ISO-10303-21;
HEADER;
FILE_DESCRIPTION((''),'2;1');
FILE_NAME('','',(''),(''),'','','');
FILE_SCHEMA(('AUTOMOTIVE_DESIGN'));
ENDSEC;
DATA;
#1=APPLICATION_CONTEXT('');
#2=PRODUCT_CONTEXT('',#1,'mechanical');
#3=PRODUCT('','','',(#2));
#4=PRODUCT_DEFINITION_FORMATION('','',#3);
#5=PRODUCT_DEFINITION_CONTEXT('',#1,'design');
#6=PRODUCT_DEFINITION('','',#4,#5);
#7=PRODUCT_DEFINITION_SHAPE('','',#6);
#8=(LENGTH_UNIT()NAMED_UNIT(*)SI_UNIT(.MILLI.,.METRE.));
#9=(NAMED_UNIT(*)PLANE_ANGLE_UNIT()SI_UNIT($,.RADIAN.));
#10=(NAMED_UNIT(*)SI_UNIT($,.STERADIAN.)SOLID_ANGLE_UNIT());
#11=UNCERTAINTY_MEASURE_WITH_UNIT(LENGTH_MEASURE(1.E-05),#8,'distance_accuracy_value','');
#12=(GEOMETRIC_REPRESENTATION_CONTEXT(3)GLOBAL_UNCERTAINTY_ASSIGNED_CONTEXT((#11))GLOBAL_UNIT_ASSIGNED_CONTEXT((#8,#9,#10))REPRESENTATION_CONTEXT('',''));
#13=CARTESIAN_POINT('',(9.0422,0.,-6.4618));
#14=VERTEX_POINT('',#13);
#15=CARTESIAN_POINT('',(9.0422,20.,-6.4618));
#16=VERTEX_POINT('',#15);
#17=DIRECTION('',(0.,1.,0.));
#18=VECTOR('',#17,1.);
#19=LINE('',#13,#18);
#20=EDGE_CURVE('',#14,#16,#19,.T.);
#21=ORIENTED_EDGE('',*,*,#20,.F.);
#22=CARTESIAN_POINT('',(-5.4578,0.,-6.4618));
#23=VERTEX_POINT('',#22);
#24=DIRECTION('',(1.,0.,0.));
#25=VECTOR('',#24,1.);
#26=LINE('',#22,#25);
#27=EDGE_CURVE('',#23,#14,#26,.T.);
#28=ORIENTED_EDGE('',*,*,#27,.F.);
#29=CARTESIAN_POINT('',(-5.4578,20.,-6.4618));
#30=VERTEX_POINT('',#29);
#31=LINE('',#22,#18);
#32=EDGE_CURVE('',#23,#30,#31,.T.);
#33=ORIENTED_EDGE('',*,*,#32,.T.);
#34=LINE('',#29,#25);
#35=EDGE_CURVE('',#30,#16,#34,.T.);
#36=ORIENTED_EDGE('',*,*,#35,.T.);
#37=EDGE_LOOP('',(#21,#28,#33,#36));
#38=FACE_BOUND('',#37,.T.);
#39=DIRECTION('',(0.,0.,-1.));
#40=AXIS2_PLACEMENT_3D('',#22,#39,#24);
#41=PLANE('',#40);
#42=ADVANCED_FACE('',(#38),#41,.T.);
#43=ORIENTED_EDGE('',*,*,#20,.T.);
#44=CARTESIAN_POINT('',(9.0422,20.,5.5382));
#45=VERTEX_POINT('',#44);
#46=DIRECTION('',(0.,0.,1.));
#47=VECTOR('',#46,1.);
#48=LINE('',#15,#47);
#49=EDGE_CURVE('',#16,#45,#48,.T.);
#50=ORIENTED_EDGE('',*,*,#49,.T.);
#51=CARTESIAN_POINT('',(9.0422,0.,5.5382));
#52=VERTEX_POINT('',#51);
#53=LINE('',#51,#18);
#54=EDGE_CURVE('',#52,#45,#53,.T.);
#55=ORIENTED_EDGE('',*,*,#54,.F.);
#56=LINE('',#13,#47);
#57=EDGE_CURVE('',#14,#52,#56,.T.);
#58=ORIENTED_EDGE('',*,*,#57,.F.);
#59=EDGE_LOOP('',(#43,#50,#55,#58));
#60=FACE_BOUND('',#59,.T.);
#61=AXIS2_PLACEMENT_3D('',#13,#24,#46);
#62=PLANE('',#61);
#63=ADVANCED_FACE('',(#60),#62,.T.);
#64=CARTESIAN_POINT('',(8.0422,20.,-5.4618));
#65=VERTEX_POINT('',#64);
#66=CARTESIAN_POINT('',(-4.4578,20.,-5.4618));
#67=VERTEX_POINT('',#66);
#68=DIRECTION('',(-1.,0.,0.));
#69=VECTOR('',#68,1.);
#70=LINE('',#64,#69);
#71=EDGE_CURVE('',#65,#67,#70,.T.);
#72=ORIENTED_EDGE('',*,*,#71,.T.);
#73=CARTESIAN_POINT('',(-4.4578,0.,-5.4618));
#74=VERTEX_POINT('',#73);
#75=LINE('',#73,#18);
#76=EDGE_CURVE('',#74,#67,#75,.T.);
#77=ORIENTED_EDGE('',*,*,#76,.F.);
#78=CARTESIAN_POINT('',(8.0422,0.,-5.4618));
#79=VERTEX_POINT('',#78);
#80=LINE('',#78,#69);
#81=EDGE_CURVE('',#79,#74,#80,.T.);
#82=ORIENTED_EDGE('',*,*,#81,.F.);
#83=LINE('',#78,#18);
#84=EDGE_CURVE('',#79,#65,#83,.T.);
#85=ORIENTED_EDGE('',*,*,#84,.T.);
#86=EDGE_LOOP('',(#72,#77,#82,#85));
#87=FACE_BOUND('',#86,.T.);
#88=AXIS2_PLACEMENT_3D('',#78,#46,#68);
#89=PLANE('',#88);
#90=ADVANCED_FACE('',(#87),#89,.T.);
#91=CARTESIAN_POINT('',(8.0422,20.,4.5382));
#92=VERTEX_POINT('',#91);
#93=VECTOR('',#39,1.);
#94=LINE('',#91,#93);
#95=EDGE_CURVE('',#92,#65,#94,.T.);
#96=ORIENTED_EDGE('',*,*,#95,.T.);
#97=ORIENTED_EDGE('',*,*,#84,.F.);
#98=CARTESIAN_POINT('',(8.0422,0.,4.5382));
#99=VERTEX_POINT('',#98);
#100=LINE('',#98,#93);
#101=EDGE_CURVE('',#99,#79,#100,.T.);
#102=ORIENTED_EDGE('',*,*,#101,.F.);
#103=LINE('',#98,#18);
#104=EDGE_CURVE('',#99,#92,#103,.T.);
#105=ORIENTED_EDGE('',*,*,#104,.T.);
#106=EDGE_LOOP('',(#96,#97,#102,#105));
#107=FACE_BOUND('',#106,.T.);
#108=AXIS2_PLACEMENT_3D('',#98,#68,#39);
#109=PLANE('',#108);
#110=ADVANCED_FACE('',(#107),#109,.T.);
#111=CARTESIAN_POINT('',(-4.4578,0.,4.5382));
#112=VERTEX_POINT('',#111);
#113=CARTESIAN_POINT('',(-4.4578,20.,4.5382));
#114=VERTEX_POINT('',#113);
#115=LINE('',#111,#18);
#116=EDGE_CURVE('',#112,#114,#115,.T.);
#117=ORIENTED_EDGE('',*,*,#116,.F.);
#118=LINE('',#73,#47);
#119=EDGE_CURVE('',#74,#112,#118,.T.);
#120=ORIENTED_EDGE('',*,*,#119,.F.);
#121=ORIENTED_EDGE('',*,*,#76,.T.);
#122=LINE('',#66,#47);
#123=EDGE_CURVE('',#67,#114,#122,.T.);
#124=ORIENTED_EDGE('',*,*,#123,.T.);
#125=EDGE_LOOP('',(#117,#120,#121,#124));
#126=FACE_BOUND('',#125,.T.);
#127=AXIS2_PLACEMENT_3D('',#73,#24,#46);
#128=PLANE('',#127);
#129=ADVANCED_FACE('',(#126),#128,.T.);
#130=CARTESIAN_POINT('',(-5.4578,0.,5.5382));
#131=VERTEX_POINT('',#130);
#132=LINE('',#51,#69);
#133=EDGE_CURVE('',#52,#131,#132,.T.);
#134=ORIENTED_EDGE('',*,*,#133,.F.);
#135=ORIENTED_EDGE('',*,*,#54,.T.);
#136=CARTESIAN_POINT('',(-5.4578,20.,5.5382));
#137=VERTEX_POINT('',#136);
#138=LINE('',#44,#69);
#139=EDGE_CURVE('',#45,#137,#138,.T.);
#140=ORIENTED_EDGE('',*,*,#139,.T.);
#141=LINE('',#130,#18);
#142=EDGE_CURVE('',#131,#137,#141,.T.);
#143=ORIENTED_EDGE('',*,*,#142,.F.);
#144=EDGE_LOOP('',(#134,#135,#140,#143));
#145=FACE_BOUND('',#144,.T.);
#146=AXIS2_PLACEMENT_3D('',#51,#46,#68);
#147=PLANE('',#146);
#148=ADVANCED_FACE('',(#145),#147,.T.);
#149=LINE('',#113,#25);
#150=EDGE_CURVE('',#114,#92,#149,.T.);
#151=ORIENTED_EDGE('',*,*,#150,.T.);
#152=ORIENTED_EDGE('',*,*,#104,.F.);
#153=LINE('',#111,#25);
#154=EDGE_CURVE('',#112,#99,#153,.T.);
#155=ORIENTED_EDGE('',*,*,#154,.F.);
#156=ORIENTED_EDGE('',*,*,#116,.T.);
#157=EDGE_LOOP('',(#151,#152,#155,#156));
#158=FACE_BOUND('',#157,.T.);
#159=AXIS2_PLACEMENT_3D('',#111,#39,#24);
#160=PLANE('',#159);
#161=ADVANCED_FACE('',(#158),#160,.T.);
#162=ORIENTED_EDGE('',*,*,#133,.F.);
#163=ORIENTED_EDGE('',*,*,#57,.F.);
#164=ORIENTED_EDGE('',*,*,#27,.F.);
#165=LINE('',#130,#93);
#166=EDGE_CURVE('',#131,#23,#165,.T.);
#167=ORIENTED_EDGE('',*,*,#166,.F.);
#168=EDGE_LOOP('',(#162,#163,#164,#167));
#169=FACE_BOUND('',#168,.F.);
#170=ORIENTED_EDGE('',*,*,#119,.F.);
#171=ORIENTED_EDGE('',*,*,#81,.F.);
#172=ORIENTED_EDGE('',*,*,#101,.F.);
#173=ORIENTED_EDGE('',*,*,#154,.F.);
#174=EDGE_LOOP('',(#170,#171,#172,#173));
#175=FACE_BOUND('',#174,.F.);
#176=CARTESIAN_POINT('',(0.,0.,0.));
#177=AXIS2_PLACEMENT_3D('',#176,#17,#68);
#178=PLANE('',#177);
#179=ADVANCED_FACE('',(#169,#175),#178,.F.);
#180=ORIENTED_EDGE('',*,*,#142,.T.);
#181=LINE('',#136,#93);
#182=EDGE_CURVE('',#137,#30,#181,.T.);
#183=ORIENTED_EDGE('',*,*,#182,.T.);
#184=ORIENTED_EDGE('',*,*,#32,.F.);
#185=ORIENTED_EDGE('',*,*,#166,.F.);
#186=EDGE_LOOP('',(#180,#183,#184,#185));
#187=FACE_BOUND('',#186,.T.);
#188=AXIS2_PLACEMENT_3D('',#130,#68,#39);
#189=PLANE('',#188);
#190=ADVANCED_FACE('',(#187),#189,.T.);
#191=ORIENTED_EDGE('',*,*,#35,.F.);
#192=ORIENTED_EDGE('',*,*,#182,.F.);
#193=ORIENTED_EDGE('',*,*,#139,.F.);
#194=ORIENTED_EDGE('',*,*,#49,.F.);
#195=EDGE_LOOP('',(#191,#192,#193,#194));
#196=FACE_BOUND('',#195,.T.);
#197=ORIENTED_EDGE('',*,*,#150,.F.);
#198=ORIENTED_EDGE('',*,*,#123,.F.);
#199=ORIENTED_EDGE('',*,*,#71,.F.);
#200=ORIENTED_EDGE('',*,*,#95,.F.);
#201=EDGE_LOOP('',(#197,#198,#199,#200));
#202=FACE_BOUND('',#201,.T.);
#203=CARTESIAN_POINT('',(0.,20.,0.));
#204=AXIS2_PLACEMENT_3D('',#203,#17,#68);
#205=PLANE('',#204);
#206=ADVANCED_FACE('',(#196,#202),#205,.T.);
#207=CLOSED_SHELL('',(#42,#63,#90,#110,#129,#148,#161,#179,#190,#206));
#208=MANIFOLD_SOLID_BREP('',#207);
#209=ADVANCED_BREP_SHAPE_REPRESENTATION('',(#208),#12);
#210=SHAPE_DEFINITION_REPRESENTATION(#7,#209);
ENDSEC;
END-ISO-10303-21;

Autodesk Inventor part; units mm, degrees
ref_plane "YZ Plane" through (0, 0, 0) normal (1, 0, 0) x (0, 1, 0)
ref_plane "XZ Plane" through (0, 0, 0) normal (0, 1, 0) x (-1, 0, 0)
ref_plane "XY Plane" through (0, 0, 0) normal (0, 0, 1) x (1, 0, 0)
sketch "草圖1" plane through (0, 0, 0) normal (0, 1, 0) x (-1, 0, 0)
  line L0 (4.4578, 4.5382) -> (-8.0422, 4.5382)
  line L1 (-8.0422, 4.5382) -> (-8.0422, -5.4618)
  line L2 (-8.0422, -5.4618) -> (4.4578, -5.4618)
  line L3 (4.4578, -5.4618) -> (4.4578, 4.5382)
  line L4 (5.4578, -6.4618) -> (-9.0422, -6.4618)
  line L5 (-9.0422, -6.4618) -> (-9.0422, 5.5382)
  line L6 (-9.0422, 5.5382) -> (5.4578, 5.5382)
  line L7 (5.4578, 5.5382) -> (5.4578, -6.4618)
  point P0 (0, 0)
  dimension "d0" = 10
  dimension "d1" = 12.5
  dimension "d2" = 1
extrude "擠出1" add sketch "草圖1" along normal blind 20
properties part number "axis_rf+fix"
